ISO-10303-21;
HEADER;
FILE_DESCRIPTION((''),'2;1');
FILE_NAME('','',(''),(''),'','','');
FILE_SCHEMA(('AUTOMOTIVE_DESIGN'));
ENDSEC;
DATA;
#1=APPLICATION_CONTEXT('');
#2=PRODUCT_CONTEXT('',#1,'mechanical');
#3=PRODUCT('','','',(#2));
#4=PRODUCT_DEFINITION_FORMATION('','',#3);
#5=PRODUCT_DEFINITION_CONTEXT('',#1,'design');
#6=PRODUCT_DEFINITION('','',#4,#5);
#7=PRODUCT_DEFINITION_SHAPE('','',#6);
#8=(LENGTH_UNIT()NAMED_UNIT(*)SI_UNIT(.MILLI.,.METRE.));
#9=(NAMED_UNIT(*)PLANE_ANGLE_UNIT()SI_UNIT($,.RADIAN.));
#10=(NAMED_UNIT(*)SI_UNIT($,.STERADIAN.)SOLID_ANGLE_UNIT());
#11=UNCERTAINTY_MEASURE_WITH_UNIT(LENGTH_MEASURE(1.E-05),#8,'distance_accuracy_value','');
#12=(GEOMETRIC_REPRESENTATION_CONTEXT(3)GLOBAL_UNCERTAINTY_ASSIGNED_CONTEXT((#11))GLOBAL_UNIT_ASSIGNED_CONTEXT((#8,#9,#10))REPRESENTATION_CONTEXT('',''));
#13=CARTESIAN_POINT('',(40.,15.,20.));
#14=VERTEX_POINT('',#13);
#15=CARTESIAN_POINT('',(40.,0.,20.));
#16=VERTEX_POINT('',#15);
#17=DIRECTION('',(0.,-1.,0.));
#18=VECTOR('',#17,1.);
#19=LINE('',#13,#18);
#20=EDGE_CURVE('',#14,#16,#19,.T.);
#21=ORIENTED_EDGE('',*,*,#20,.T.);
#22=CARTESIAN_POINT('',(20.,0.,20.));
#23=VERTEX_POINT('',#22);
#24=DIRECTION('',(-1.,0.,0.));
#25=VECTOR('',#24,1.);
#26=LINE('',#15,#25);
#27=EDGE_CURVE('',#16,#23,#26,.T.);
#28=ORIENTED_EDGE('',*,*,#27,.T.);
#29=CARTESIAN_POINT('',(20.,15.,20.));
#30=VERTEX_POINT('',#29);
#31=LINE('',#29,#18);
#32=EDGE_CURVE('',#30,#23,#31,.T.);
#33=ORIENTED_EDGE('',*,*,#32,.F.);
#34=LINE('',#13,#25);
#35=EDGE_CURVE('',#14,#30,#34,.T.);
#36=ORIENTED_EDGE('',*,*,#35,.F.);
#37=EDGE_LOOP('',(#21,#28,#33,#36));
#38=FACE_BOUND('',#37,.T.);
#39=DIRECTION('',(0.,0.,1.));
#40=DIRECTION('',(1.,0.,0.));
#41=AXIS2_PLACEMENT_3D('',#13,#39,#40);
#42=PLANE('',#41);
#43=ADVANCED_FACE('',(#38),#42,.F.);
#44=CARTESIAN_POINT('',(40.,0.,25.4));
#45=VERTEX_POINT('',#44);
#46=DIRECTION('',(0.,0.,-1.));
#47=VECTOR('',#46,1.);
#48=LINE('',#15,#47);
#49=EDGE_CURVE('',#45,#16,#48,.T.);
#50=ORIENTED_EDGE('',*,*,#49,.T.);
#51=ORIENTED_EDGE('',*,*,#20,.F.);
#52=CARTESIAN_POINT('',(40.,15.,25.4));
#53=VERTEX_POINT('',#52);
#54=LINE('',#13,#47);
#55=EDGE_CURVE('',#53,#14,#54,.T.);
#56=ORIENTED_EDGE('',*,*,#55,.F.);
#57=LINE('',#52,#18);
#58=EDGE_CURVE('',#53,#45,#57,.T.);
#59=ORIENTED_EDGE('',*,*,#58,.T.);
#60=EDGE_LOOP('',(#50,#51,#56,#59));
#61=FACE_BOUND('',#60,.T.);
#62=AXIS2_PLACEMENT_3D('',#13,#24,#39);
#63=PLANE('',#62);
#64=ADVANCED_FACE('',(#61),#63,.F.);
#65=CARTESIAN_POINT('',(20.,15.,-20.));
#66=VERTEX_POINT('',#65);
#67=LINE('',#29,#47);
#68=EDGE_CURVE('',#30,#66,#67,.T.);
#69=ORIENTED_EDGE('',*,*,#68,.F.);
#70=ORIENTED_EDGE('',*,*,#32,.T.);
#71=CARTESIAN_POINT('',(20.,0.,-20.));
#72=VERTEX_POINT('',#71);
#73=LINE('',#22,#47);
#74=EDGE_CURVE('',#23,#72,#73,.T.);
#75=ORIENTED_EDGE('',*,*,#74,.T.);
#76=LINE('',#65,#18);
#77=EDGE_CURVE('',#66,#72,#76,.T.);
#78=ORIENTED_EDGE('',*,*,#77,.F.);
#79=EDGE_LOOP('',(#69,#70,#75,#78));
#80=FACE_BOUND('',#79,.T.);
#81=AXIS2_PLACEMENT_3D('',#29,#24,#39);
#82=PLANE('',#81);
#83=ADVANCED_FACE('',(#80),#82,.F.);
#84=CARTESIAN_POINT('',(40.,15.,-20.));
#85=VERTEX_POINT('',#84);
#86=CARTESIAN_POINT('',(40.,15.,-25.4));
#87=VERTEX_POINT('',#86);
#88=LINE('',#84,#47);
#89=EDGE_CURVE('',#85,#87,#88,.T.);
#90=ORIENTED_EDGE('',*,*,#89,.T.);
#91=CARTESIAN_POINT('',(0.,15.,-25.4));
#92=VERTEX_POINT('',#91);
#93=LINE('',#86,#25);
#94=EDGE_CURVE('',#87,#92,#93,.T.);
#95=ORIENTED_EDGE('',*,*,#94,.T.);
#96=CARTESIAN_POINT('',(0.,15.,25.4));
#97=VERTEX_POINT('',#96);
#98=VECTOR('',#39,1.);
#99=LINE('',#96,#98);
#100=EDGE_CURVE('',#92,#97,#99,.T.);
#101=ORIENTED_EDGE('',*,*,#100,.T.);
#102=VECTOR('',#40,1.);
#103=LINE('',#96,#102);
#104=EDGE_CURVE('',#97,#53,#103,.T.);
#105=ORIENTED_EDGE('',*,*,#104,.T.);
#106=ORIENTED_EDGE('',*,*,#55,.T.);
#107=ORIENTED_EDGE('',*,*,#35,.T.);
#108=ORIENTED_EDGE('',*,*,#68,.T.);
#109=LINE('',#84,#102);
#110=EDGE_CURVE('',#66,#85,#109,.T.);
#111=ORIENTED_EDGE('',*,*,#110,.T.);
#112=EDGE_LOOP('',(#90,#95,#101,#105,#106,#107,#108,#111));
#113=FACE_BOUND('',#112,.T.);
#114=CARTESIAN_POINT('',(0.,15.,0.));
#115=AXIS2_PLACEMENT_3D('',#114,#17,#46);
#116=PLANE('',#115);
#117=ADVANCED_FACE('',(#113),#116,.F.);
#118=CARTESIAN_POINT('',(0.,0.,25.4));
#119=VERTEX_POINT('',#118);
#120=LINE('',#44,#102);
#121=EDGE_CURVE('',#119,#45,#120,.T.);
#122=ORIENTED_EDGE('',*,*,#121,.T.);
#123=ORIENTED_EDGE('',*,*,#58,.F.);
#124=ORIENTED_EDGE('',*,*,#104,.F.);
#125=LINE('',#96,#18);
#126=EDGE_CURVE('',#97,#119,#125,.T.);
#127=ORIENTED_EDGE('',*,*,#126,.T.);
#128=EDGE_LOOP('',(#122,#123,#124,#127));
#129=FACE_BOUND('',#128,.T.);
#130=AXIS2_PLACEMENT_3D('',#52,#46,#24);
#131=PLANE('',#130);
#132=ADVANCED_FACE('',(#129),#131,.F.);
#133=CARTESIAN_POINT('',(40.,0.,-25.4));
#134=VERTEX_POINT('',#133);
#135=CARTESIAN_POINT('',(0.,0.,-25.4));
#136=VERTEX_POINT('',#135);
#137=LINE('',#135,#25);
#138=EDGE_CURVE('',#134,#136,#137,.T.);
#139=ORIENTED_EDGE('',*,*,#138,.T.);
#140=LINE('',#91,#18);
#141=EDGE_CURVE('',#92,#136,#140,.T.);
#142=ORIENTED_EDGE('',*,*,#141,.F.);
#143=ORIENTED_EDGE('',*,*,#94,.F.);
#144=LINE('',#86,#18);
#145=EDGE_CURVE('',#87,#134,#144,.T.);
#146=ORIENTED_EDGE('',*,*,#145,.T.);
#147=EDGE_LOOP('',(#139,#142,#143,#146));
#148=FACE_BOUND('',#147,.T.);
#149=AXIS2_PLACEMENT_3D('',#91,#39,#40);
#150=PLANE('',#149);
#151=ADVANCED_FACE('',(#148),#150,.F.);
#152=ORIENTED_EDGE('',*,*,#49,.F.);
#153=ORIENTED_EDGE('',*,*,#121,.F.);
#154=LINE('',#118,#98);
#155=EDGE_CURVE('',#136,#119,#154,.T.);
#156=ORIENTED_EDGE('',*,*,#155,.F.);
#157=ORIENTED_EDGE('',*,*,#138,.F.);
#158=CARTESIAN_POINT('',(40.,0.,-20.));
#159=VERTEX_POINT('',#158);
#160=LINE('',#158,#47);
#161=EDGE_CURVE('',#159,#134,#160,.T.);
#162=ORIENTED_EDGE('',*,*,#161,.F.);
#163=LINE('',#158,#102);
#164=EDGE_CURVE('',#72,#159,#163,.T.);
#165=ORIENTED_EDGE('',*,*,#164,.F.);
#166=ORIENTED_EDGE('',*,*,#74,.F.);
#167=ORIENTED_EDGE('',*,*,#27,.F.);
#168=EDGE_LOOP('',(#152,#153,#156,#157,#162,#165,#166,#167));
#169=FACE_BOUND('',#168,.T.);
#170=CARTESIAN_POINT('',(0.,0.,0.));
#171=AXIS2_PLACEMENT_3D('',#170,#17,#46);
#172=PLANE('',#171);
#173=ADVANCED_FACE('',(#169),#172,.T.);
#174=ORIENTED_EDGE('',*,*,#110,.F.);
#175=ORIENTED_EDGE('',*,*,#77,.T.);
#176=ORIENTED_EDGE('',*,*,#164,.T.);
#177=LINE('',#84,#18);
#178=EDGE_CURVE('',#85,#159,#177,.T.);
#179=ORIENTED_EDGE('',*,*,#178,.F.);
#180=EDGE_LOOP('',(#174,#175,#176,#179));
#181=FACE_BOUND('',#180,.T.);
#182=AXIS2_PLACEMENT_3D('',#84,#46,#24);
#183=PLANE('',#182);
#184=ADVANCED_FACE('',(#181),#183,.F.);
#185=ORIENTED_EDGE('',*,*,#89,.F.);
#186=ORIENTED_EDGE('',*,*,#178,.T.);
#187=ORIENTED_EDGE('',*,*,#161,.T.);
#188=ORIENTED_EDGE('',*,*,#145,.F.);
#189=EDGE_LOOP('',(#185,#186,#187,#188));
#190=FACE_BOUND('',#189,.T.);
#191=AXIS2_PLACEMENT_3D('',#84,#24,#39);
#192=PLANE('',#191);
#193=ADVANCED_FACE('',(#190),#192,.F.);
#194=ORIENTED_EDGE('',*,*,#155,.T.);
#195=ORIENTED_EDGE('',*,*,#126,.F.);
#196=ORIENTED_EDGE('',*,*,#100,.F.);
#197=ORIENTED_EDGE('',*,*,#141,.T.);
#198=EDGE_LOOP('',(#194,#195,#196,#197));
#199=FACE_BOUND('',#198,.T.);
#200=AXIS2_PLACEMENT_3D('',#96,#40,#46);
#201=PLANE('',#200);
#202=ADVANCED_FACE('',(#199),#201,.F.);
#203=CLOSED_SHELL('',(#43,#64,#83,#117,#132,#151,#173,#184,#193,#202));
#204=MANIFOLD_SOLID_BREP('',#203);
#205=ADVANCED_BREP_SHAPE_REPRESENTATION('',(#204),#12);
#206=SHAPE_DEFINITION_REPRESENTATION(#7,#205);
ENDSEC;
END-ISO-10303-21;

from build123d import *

# Parameters (mm, degrees)
BOSS_EXTRUDE1_DEPTH = 15


with BuildPart() as part:
    # Sketch1 → Boss-Extrude1 (new body)
    with BuildSketch(Plane(origin=(0, 0, 0), x_dir=(1, 0, 0), z_dir=(0, 1, 0))):
        Polygon((40, 20), (40, 25.4), (5, 25.4), (0, 25.4), (0, -25.4), (5, -25.4), (40, -25.4), (40, -20), (20, -20), (20, 20), align=None)
    extrude(amount=BOSS_EXTRUDE1_DEPTH)


solid = part.part
